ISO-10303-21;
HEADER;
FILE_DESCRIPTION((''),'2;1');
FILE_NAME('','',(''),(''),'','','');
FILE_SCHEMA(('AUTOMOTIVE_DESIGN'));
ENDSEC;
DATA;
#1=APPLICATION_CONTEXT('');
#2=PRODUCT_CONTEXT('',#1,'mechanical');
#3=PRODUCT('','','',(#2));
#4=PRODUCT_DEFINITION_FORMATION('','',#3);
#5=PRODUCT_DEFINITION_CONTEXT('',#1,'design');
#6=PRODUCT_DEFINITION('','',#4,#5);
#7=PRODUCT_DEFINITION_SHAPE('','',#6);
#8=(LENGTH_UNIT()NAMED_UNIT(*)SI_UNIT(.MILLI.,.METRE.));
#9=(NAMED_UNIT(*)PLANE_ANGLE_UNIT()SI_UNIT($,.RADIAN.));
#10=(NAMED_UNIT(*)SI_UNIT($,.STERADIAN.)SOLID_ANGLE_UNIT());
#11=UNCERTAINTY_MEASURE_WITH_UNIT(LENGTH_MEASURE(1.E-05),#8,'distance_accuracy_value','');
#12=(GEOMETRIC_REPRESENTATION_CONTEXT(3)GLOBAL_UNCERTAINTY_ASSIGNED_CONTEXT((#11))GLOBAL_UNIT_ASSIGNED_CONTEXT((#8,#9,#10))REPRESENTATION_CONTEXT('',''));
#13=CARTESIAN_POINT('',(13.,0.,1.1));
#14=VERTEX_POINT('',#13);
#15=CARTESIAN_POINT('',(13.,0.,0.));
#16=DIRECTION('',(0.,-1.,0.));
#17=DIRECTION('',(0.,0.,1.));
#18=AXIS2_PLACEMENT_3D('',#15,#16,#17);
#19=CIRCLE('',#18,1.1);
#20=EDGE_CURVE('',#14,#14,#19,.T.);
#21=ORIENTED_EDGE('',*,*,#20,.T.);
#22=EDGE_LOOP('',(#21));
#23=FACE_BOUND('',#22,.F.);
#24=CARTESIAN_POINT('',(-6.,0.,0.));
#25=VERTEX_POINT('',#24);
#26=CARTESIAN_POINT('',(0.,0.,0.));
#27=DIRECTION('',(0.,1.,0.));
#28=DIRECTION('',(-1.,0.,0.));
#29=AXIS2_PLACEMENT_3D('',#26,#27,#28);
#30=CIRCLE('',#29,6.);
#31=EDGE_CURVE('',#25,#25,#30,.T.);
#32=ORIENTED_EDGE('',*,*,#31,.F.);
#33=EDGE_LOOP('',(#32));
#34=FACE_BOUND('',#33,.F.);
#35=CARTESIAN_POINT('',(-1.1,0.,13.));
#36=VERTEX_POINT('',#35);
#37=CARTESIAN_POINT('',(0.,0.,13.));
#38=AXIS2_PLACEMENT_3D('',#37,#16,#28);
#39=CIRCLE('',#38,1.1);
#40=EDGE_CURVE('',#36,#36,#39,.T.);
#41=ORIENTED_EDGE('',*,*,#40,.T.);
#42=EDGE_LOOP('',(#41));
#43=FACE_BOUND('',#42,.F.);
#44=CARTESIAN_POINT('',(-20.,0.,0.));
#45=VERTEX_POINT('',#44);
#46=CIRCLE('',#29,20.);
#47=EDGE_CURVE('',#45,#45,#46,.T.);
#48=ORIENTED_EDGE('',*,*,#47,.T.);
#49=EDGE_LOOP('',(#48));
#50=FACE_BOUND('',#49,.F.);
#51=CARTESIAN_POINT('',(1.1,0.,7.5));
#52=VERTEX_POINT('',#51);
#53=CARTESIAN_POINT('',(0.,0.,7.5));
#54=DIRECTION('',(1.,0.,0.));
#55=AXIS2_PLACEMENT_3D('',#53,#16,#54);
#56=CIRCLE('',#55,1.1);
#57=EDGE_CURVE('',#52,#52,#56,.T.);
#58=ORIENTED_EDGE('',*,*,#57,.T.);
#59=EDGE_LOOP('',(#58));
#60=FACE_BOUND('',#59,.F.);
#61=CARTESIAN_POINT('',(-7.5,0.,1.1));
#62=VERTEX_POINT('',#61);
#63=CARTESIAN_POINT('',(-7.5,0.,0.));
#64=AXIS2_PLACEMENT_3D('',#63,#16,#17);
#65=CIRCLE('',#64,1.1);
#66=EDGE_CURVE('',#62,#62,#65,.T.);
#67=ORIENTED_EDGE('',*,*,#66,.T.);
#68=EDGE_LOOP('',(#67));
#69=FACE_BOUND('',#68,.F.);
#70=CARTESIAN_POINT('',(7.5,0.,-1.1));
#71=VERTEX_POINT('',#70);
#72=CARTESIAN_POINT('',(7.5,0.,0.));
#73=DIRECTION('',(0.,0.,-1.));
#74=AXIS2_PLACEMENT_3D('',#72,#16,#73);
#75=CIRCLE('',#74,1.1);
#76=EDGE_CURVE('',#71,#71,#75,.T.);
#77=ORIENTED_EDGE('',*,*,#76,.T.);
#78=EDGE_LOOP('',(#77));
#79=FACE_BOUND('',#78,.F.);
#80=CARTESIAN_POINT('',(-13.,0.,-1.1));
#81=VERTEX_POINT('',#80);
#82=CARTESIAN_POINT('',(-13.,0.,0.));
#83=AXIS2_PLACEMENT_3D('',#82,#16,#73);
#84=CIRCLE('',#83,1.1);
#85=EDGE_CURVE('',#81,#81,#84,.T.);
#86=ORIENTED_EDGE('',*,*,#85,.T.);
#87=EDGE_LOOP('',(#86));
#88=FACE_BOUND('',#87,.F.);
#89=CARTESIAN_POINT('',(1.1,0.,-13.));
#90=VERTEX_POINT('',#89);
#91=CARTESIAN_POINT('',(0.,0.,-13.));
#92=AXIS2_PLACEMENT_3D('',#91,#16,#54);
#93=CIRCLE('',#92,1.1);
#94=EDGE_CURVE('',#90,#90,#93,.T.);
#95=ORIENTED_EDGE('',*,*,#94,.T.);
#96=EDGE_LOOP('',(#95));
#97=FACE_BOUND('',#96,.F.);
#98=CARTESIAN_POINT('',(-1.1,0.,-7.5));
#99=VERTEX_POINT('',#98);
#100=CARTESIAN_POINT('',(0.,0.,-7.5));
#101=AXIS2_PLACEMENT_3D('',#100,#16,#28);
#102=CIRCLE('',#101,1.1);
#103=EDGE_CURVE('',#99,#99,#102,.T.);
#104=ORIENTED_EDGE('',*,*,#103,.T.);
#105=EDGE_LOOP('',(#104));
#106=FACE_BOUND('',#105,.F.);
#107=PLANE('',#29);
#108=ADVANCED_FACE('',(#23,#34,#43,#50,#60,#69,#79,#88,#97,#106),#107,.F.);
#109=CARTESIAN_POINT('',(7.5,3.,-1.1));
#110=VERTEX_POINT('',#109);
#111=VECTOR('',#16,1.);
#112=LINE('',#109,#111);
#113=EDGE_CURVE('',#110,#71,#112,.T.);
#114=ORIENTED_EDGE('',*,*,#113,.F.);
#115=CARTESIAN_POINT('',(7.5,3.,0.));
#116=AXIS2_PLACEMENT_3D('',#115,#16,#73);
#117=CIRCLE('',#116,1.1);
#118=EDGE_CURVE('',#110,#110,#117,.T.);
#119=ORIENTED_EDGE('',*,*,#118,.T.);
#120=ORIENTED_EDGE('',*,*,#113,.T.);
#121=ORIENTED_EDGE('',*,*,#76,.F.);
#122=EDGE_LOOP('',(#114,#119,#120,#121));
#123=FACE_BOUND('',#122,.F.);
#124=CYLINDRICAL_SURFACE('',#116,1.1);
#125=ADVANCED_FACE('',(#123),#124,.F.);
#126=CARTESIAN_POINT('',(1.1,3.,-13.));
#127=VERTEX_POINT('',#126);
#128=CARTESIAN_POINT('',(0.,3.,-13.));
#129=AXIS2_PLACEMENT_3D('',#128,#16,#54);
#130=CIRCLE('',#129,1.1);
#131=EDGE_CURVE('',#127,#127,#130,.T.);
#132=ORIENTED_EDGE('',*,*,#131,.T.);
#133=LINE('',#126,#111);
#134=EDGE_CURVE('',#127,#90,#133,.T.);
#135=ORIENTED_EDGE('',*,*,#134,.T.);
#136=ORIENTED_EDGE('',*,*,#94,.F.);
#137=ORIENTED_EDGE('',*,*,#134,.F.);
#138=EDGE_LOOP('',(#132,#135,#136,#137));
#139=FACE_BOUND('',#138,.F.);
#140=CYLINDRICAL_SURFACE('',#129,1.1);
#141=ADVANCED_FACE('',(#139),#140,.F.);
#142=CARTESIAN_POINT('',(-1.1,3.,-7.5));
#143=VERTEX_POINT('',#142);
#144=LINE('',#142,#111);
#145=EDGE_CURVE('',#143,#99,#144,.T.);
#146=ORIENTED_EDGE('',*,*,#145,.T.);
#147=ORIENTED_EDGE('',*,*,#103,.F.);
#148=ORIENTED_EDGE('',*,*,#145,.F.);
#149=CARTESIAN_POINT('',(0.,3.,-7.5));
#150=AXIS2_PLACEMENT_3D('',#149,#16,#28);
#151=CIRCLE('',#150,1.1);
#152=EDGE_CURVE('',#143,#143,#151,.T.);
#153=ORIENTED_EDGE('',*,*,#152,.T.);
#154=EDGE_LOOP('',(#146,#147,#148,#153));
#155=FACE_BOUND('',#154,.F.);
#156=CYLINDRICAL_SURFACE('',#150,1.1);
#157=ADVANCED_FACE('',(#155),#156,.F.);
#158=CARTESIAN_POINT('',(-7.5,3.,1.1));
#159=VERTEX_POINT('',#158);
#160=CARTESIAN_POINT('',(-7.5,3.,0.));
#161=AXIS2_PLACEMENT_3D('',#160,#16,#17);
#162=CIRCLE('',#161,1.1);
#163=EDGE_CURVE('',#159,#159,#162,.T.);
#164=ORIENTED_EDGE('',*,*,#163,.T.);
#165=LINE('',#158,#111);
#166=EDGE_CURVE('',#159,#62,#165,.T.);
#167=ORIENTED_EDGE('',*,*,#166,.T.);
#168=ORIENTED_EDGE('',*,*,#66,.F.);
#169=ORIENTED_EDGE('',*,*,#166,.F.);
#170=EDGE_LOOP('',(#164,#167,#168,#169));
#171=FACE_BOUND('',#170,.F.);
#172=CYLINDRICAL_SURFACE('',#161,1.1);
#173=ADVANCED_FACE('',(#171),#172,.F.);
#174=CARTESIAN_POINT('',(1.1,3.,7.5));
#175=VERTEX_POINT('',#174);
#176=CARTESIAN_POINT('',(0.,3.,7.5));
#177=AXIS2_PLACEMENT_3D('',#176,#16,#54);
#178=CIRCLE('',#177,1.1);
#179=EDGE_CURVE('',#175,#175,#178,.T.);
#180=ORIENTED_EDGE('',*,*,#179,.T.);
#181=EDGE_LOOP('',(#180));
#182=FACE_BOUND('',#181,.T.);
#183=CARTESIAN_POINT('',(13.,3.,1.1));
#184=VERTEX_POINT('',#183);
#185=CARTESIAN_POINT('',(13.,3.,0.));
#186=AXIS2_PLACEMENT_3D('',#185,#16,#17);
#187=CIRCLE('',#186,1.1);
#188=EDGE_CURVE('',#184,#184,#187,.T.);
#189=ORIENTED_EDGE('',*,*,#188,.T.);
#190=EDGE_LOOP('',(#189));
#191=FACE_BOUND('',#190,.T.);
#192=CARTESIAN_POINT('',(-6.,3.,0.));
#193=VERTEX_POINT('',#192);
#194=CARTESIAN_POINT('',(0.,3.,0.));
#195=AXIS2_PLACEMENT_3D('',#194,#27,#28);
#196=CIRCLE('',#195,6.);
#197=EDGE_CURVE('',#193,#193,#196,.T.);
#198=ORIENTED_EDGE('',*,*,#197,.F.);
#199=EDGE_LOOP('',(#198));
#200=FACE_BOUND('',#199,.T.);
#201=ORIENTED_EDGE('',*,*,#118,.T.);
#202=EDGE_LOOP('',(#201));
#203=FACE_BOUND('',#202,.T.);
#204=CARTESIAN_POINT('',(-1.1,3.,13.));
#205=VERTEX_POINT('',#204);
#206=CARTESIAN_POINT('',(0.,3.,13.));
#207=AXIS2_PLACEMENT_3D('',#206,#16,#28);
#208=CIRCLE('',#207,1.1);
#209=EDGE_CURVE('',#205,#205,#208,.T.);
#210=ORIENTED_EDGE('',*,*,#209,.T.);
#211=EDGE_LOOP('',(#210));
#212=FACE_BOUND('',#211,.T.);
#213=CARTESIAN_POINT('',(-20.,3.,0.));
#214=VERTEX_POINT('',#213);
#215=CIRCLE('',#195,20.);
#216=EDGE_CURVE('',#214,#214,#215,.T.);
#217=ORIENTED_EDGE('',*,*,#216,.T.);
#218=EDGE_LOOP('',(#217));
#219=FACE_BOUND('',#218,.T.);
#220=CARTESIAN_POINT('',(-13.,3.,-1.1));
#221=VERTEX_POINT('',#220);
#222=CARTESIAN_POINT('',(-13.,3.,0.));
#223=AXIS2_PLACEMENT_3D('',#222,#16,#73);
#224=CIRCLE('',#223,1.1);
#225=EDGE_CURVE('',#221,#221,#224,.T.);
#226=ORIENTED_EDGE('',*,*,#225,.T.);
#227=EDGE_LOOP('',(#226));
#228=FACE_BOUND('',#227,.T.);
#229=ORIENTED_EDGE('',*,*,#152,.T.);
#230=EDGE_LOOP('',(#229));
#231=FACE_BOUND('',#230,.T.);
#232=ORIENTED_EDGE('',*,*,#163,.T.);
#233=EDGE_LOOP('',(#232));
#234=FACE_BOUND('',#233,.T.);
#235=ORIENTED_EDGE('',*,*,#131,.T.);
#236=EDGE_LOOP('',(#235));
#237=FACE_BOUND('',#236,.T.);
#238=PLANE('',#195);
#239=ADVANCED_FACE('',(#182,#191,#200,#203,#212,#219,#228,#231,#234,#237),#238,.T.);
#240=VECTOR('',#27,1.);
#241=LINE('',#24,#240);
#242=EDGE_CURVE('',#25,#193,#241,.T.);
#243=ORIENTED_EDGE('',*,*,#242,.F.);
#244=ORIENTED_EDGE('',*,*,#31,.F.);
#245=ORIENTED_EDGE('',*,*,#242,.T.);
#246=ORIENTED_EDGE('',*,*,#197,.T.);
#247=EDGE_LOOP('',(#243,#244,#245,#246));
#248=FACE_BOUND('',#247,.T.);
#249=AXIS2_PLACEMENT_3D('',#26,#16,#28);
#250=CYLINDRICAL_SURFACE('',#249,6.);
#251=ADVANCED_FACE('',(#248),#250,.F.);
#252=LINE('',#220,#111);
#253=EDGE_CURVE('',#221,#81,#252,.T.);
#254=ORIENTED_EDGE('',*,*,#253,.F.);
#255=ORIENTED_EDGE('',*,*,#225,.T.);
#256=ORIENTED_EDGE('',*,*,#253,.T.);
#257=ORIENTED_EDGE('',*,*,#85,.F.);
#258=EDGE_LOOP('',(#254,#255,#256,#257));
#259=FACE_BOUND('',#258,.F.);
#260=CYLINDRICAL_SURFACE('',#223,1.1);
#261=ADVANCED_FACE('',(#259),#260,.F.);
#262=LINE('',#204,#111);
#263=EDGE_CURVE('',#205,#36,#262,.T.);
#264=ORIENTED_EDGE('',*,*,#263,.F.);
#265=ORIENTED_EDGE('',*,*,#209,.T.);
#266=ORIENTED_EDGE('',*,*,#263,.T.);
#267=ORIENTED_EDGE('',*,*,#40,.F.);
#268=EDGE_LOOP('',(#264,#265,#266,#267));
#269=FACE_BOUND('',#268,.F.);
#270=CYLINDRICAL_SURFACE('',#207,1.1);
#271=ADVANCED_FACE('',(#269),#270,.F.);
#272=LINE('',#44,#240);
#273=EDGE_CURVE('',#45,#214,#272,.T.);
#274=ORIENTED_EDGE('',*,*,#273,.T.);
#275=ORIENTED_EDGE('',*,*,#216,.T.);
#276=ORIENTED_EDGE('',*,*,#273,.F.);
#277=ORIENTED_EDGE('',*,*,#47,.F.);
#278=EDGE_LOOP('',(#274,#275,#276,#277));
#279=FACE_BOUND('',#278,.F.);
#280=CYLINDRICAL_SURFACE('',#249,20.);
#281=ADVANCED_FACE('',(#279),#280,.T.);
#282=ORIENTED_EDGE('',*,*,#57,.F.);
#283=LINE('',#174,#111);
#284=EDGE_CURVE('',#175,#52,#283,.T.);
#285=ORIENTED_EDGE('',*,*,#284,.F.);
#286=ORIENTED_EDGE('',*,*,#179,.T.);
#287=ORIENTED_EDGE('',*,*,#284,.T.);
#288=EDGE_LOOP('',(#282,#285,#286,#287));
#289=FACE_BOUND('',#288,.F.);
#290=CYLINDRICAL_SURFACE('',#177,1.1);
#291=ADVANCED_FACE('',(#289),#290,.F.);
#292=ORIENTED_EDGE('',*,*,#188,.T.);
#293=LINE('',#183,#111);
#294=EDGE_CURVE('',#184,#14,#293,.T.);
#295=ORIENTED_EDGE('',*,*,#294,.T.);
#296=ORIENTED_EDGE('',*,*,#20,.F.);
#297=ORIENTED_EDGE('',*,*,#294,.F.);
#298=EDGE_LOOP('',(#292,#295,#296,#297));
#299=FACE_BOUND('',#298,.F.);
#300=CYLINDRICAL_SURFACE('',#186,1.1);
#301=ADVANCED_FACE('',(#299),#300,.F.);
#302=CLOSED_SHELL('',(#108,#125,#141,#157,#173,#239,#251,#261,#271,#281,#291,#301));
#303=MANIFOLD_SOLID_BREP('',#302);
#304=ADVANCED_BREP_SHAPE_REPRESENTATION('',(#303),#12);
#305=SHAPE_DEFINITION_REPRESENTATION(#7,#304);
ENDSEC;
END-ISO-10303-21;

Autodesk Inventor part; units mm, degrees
ref_plane "YZ Plane" through (0, 0, 0) normal (1, 0, 0) x (0, 1, 0)
ref_plane "XZ Plane" through (0, 0, 0) normal (0, 1, 0) x (-1, 0, 0)
ref_plane "XY Plane" through (0, 0, 0) normal (0, 0, 1) x (1, 0, 0)
sketch "Sketch1" plane through (0, 0, 0) normal (0, 1, 0) x (-1, 0, 0)
  circle A0 centre (0, 0) radius 20
  circle A1 centre (0, 0) radius 6
  dimension "d0" = 40
  dimension "d1" = 12
extrude "Extrusion1" add sketch "Sketch1" along normal blind 3
sketch "Sketch2" plane through (0, 3, 0) normal (0, 1, 0) x (1, 0, 0)
  circle A0 centre (0, 0) radius 7.5
  point P0 (-7.5, 0)
  dimension "d4" = 15
hole "Hole1" at (-7.5, 3, 0) direction (0, -1, 0) diameter 2.2 end through all
pattern_circular "Circular Pattern1" count 4 over 360 about axis through (0, 0, 0) along (0, 1, 0) of "Hole1"
sketch "Sketch4" plane through (0, 3, 0) normal (0, 1, 0) x (1, 0, 0)
  line L0 (0, 0) -> (13, 0)
  dimension "d27" = 13
hole "Hole3" at (13, 3, 0) direction (0, -1, 0) diameter 2.2 end through all
pattern_circular "Circular Pattern3" count 4 over 360 about axis through (0, 0, 0) along (0, 1, 0) of "Hole3"
properties part number "back2"
